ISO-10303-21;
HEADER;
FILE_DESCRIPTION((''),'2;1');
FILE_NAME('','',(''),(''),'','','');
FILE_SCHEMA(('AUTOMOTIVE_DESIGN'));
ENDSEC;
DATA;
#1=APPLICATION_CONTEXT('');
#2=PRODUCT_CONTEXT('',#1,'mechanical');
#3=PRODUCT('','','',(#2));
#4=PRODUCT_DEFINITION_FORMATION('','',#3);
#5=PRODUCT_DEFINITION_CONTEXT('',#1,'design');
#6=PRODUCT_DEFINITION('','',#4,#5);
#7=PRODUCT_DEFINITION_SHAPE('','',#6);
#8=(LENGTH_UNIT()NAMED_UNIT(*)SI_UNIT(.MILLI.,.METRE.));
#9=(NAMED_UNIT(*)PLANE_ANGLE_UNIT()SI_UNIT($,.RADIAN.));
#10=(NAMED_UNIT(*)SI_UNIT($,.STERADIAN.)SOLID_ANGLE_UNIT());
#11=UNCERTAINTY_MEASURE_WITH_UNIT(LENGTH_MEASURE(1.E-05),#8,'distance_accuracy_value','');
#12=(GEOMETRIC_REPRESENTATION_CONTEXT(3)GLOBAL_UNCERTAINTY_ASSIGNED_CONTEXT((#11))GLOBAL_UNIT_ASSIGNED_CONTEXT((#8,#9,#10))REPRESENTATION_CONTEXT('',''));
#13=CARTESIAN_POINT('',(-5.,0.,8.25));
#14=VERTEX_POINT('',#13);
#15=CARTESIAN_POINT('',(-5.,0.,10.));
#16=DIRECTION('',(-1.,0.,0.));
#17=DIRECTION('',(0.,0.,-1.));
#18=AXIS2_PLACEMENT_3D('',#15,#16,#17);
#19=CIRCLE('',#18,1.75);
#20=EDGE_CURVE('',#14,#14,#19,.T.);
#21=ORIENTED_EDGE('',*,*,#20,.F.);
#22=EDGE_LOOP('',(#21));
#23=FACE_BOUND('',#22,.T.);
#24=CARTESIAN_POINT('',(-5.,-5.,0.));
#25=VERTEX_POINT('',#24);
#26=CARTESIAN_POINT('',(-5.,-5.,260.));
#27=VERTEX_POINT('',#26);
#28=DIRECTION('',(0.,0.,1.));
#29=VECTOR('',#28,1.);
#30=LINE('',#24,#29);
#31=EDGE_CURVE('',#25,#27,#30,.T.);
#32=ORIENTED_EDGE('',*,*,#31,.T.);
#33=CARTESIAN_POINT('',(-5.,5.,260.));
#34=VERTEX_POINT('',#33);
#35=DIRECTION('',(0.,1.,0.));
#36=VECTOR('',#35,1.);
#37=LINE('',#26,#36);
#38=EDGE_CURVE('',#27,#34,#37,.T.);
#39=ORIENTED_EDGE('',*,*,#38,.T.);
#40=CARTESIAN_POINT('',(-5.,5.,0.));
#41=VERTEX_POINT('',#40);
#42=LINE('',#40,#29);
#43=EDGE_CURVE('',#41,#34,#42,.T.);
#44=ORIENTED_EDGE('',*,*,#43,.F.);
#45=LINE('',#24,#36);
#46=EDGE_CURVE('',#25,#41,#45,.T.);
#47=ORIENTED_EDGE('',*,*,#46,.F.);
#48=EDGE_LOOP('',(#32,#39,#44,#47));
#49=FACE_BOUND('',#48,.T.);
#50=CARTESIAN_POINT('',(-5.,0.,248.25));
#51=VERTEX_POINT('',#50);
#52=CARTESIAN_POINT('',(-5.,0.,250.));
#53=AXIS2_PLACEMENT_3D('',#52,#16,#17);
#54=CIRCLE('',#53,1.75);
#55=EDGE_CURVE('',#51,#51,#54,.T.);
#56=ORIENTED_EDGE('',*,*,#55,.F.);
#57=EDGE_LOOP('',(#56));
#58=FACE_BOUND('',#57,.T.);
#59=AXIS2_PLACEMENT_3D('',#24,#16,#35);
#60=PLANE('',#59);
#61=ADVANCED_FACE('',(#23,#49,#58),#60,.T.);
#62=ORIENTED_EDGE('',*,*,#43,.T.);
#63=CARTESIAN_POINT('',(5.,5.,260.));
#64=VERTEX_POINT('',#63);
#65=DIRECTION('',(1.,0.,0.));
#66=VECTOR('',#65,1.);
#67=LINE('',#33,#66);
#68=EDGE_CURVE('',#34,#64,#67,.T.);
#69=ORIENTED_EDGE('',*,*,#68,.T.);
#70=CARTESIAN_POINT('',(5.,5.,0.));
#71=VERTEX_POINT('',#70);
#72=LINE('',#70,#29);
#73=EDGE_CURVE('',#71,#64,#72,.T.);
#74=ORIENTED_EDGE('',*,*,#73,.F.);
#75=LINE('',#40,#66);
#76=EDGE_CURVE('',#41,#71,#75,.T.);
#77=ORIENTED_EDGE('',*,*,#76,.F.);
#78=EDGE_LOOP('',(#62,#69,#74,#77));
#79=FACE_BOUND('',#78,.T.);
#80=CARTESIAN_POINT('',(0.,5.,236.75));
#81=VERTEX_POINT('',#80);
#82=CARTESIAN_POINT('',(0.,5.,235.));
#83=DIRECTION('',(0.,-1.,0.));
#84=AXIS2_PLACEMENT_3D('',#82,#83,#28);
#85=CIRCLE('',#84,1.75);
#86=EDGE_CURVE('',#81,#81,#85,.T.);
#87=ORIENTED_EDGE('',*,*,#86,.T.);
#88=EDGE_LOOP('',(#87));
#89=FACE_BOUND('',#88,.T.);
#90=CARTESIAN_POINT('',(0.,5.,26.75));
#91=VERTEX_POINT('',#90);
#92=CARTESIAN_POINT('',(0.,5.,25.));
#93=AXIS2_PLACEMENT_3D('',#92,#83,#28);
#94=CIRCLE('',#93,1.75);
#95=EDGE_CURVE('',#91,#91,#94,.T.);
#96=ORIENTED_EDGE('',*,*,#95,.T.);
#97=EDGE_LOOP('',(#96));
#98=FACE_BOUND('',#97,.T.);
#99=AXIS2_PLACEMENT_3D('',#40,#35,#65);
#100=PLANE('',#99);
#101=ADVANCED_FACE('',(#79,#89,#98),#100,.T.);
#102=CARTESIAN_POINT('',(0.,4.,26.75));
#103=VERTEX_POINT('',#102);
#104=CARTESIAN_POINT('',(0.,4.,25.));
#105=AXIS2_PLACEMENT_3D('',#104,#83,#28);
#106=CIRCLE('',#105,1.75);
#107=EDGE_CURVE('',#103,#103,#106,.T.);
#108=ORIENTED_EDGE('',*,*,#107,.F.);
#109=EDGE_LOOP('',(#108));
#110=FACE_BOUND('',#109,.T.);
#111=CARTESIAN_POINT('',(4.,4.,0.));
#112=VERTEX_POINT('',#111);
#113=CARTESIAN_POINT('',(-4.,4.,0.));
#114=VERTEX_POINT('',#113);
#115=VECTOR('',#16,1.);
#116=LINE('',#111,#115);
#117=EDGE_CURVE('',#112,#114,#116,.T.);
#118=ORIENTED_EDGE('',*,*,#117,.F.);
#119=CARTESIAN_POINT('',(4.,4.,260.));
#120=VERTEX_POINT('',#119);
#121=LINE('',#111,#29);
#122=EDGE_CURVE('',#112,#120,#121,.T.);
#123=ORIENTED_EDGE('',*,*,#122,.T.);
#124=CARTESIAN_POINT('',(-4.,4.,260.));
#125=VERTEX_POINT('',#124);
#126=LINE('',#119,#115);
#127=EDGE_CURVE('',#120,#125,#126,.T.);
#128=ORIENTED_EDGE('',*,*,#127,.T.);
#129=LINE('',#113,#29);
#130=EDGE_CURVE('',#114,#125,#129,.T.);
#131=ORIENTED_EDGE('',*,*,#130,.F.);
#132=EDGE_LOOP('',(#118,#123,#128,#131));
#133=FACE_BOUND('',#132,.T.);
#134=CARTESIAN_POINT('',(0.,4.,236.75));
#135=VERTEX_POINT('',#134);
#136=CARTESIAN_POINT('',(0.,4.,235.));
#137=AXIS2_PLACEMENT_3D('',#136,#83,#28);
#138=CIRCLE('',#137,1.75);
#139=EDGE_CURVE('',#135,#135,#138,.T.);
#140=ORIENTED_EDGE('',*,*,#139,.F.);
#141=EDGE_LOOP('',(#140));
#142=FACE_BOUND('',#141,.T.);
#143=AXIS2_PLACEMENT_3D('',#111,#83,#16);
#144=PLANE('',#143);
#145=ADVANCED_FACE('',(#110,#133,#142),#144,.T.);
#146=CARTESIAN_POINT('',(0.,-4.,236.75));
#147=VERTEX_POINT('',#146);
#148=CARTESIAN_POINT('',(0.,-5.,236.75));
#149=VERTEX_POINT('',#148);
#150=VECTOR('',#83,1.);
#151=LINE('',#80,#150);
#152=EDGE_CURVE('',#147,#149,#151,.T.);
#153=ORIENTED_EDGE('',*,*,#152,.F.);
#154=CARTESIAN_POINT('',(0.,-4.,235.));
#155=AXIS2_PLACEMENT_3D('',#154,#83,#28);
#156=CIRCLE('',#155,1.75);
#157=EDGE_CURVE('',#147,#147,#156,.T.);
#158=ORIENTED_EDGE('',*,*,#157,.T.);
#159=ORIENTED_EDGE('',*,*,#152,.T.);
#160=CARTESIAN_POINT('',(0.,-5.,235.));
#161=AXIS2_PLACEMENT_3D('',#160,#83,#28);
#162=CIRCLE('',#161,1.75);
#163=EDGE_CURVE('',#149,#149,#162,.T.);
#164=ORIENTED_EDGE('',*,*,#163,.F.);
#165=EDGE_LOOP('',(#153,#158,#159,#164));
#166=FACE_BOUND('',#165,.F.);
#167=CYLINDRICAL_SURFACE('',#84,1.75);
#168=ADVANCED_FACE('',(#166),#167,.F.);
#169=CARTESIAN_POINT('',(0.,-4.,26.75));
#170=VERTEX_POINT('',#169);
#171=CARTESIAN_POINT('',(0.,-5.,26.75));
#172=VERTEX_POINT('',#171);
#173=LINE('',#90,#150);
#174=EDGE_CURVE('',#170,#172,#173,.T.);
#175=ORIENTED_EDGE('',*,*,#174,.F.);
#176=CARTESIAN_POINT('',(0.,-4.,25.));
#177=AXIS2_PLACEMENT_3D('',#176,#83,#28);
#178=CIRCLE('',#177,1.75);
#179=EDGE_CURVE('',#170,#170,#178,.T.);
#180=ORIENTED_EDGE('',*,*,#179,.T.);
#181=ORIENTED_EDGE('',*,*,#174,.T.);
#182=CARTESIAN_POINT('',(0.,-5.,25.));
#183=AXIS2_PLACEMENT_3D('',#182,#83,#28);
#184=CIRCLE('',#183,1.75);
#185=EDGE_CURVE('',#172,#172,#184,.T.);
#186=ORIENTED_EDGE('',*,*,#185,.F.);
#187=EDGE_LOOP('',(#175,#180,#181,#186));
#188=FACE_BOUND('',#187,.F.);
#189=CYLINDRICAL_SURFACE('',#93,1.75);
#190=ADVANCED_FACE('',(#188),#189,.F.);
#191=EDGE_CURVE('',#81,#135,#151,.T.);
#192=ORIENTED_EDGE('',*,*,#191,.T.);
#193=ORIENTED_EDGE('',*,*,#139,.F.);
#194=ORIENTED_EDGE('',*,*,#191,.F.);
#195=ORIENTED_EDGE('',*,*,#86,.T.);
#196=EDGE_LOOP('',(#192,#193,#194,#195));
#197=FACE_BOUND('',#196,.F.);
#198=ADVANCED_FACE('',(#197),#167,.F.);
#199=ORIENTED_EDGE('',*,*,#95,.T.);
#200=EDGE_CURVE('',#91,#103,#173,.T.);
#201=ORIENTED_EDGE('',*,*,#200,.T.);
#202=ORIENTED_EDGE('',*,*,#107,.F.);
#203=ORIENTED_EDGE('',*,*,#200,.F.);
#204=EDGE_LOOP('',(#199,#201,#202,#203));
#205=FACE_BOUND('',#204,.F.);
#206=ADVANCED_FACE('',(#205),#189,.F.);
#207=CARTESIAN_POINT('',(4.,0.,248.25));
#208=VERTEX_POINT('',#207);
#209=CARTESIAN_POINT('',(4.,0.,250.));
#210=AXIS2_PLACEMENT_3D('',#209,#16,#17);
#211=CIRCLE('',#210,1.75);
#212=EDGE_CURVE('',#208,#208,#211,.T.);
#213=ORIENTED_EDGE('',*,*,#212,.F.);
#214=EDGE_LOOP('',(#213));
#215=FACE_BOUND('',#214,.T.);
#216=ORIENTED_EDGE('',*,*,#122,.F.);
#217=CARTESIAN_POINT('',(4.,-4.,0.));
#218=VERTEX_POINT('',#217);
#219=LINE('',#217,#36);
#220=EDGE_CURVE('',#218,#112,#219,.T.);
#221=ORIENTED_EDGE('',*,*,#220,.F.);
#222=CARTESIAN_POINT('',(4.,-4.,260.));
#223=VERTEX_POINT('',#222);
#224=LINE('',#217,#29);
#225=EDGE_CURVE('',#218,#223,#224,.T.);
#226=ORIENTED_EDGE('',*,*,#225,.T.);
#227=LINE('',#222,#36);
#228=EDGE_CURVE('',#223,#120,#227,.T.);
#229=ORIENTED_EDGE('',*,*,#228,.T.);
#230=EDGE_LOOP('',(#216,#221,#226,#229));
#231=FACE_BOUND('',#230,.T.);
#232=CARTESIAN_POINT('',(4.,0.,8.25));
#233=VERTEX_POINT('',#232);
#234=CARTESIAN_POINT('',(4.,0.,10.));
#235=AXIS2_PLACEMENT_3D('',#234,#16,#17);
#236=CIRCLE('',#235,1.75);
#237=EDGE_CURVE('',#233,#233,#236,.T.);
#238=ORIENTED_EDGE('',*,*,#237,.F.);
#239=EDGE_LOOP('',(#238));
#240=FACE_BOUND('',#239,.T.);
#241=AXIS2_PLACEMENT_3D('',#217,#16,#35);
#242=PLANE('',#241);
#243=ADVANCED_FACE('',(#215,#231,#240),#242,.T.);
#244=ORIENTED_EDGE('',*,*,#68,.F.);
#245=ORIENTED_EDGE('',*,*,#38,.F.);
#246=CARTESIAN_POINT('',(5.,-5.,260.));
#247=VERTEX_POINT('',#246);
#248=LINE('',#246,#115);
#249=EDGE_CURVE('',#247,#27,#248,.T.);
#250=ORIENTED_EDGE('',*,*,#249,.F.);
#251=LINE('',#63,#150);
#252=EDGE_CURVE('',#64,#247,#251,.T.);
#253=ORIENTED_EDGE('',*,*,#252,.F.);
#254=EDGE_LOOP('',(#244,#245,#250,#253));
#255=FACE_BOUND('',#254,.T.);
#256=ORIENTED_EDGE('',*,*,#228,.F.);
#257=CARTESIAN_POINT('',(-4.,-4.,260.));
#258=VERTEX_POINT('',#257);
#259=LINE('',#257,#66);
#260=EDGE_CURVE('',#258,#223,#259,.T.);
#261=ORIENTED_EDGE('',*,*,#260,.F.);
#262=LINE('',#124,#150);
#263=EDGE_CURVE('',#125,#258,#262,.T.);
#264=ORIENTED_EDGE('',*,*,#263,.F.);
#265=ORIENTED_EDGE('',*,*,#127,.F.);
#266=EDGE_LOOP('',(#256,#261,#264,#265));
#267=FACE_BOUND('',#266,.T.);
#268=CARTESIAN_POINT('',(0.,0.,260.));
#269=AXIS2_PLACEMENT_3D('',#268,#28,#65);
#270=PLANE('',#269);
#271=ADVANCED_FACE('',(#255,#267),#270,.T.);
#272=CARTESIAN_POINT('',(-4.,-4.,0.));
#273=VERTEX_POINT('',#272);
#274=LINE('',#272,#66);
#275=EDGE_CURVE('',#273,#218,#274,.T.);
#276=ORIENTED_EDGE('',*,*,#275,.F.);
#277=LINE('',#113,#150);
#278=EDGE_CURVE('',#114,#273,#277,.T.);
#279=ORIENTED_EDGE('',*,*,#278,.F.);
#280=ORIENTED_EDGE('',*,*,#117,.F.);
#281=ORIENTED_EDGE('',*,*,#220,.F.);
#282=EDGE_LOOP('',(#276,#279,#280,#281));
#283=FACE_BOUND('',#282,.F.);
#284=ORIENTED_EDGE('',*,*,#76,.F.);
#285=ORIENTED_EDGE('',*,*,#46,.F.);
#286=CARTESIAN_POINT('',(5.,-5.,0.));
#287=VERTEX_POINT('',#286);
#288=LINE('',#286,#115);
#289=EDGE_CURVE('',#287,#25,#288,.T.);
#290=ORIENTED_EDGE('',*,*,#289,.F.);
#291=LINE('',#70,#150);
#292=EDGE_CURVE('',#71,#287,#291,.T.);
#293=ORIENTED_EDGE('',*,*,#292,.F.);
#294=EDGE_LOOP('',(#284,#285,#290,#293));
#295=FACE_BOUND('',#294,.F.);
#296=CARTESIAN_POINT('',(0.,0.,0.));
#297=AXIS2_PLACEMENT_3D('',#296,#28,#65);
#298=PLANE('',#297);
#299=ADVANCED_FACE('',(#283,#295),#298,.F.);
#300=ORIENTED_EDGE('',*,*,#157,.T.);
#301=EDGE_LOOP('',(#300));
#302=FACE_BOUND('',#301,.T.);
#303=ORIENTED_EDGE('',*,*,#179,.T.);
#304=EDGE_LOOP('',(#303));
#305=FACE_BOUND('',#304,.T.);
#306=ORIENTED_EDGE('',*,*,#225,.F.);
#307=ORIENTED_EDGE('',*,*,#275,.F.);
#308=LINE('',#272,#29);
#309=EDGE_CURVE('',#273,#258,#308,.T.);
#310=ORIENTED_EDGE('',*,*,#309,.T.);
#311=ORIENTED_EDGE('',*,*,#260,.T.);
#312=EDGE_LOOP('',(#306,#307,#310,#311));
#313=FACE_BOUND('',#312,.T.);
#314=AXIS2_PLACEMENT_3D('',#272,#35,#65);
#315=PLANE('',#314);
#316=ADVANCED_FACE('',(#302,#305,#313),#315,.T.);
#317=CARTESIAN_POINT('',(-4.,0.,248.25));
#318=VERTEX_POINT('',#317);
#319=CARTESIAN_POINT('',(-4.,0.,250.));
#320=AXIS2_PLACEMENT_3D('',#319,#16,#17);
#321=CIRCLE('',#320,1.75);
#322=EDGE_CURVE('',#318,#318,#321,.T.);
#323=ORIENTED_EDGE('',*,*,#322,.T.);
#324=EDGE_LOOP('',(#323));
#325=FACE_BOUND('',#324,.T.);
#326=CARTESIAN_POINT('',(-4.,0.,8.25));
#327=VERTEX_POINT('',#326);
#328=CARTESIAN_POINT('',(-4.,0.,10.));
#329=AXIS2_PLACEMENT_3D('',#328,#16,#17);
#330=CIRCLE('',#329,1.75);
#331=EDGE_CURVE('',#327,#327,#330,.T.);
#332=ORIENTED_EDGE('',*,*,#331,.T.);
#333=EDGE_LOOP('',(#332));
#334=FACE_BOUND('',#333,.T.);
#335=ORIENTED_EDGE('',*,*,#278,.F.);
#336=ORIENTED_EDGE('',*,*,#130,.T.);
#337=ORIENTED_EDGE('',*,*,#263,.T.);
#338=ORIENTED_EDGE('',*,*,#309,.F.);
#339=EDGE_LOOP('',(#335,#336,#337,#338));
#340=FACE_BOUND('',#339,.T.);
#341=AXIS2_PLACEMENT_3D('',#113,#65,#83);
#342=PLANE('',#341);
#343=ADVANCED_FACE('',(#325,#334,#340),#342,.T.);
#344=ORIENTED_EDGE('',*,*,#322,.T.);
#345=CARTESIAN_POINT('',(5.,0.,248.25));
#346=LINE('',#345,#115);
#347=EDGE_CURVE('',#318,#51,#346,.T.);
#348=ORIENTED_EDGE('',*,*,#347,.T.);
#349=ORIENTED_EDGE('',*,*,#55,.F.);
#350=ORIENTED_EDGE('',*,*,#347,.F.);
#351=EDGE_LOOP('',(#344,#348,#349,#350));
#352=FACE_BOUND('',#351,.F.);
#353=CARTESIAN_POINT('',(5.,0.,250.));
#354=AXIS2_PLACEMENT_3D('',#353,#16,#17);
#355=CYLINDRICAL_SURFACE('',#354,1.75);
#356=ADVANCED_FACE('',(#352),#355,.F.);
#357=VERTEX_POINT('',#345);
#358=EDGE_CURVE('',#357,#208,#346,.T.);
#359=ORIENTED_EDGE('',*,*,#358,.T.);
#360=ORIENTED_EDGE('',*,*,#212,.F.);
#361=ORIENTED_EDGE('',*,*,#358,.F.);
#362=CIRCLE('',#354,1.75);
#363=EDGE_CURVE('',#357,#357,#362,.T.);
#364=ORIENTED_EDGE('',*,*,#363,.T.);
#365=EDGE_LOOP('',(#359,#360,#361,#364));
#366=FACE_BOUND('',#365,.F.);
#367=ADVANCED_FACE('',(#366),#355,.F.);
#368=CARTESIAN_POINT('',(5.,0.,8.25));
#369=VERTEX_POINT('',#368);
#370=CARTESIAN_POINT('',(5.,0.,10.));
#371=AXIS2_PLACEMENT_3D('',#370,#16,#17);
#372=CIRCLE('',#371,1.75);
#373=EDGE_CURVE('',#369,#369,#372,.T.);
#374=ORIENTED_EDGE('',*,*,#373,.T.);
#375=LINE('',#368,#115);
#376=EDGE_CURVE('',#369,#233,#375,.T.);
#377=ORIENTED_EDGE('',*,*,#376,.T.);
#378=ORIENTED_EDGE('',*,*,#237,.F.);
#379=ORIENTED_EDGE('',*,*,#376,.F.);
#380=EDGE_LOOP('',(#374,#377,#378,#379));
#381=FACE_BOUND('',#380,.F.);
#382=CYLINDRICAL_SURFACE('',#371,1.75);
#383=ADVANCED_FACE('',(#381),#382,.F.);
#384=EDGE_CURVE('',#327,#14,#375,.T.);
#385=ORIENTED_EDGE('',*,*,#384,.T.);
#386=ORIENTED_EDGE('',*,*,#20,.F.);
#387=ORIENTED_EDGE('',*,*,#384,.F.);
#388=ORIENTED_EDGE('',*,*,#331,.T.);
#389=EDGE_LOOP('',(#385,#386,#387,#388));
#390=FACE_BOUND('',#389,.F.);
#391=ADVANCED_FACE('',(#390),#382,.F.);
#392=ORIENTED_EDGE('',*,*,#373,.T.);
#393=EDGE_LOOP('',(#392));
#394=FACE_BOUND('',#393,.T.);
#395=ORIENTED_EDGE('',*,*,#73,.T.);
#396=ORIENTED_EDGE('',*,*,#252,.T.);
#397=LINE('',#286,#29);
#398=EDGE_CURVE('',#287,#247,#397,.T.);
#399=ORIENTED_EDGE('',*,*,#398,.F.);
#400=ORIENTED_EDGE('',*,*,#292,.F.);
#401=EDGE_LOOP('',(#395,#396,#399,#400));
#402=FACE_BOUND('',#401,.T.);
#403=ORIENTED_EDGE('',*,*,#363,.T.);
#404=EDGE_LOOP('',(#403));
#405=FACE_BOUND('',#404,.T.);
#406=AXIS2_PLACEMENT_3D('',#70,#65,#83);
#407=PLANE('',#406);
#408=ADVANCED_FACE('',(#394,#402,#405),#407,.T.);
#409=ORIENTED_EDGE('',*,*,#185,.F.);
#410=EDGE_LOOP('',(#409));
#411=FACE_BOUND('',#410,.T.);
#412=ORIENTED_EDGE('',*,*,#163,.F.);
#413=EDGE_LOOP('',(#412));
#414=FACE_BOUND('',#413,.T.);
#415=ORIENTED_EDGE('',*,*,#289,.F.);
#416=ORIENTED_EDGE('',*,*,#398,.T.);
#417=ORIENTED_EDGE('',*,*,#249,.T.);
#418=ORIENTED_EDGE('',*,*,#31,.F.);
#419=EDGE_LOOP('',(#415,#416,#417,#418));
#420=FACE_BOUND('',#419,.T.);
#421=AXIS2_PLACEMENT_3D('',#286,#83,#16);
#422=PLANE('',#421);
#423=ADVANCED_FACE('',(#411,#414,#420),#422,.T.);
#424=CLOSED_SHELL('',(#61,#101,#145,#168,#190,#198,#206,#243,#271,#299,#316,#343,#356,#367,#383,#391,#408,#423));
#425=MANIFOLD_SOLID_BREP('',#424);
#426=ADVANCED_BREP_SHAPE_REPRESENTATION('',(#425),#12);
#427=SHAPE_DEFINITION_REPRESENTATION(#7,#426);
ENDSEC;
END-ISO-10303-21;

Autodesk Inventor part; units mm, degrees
ref_plane "YZ Plane" through (0, 0, 0) normal (1, 0, 0) x (0, 1, 0)
ref_plane "XZ Plane" through (0, 0, 0) normal (0, 1, 0) x (-1, 0, 0)
ref_plane "XY Plane" through (0, 0, 0) normal (0, 0, 1) x (1, 0, 0)
sketch "スケッチ1" plane through (0, 0, 0) normal (0, 0, 1) x (1, 0, 0)
  line L0 (5, -5) -> (-5, -5)
  line L1 (-5, -5) -> (-5, 5)
  line L2 (-5, 5) -> (5, 5)
  line L3 (5, 5) -> (5, -5)
  line L4 (5, -5) -> (-5, 5) construction
  line L5 (-5, -5) -> (5, 5) construction
  line L6 (4, 4) -> (-4, 4)
  line L7 (-4, 4) -> (-4, -4)
  line L8 (-4, -4) -> (4, -4)
  line L9 (4, -4) -> (4, 4)
  point P0 (0, 0)
  dimension "d0" = 10
  dimension "d1" = 10
  dimension "d2" = 1
extrude "押し出し1" add sketch "スケッチ1" along normal blind 260
sketch "スケッチ2" plane through (5, -5, 0) normal (1, 0, 0) x (0, 0, -1)
  line L0 (0, 5) -> (-228.6606, 5)
  line L1 (0, 0) -> (0, 10) projected
  point P0 (-250, 5)
  point P1 (-10, 5)
  dimension "d5" = 240
  dimension "d6" = 10
hole "穴1" at (5, 0, 250) at (5, 0, 10) direction (-1, 0, 0) diameter 3.5 end through all
sketch "スケッチ3" plane through (-5, 5, 0) normal (0, 1, 0) x (1, 0, 0)
  line L0 (5, 0) -> (5, -260)
  line L1 (9, -260) -> (1, -260) projected
  line L2 (10, 0) -> (0, 0) projected
  point P0 (5, -235)
  point P1 (5, -25)
  dimension "d14" = 25
  dimension "d23" = 25
hole "穴2" at (0, 5, 235) at (0, 5, 25) direction (0, -1, 0) diameter 3.5 end through all
equation "\"d23\" = d14"
properties part number "small_kaku_1010_bridge_1020"
